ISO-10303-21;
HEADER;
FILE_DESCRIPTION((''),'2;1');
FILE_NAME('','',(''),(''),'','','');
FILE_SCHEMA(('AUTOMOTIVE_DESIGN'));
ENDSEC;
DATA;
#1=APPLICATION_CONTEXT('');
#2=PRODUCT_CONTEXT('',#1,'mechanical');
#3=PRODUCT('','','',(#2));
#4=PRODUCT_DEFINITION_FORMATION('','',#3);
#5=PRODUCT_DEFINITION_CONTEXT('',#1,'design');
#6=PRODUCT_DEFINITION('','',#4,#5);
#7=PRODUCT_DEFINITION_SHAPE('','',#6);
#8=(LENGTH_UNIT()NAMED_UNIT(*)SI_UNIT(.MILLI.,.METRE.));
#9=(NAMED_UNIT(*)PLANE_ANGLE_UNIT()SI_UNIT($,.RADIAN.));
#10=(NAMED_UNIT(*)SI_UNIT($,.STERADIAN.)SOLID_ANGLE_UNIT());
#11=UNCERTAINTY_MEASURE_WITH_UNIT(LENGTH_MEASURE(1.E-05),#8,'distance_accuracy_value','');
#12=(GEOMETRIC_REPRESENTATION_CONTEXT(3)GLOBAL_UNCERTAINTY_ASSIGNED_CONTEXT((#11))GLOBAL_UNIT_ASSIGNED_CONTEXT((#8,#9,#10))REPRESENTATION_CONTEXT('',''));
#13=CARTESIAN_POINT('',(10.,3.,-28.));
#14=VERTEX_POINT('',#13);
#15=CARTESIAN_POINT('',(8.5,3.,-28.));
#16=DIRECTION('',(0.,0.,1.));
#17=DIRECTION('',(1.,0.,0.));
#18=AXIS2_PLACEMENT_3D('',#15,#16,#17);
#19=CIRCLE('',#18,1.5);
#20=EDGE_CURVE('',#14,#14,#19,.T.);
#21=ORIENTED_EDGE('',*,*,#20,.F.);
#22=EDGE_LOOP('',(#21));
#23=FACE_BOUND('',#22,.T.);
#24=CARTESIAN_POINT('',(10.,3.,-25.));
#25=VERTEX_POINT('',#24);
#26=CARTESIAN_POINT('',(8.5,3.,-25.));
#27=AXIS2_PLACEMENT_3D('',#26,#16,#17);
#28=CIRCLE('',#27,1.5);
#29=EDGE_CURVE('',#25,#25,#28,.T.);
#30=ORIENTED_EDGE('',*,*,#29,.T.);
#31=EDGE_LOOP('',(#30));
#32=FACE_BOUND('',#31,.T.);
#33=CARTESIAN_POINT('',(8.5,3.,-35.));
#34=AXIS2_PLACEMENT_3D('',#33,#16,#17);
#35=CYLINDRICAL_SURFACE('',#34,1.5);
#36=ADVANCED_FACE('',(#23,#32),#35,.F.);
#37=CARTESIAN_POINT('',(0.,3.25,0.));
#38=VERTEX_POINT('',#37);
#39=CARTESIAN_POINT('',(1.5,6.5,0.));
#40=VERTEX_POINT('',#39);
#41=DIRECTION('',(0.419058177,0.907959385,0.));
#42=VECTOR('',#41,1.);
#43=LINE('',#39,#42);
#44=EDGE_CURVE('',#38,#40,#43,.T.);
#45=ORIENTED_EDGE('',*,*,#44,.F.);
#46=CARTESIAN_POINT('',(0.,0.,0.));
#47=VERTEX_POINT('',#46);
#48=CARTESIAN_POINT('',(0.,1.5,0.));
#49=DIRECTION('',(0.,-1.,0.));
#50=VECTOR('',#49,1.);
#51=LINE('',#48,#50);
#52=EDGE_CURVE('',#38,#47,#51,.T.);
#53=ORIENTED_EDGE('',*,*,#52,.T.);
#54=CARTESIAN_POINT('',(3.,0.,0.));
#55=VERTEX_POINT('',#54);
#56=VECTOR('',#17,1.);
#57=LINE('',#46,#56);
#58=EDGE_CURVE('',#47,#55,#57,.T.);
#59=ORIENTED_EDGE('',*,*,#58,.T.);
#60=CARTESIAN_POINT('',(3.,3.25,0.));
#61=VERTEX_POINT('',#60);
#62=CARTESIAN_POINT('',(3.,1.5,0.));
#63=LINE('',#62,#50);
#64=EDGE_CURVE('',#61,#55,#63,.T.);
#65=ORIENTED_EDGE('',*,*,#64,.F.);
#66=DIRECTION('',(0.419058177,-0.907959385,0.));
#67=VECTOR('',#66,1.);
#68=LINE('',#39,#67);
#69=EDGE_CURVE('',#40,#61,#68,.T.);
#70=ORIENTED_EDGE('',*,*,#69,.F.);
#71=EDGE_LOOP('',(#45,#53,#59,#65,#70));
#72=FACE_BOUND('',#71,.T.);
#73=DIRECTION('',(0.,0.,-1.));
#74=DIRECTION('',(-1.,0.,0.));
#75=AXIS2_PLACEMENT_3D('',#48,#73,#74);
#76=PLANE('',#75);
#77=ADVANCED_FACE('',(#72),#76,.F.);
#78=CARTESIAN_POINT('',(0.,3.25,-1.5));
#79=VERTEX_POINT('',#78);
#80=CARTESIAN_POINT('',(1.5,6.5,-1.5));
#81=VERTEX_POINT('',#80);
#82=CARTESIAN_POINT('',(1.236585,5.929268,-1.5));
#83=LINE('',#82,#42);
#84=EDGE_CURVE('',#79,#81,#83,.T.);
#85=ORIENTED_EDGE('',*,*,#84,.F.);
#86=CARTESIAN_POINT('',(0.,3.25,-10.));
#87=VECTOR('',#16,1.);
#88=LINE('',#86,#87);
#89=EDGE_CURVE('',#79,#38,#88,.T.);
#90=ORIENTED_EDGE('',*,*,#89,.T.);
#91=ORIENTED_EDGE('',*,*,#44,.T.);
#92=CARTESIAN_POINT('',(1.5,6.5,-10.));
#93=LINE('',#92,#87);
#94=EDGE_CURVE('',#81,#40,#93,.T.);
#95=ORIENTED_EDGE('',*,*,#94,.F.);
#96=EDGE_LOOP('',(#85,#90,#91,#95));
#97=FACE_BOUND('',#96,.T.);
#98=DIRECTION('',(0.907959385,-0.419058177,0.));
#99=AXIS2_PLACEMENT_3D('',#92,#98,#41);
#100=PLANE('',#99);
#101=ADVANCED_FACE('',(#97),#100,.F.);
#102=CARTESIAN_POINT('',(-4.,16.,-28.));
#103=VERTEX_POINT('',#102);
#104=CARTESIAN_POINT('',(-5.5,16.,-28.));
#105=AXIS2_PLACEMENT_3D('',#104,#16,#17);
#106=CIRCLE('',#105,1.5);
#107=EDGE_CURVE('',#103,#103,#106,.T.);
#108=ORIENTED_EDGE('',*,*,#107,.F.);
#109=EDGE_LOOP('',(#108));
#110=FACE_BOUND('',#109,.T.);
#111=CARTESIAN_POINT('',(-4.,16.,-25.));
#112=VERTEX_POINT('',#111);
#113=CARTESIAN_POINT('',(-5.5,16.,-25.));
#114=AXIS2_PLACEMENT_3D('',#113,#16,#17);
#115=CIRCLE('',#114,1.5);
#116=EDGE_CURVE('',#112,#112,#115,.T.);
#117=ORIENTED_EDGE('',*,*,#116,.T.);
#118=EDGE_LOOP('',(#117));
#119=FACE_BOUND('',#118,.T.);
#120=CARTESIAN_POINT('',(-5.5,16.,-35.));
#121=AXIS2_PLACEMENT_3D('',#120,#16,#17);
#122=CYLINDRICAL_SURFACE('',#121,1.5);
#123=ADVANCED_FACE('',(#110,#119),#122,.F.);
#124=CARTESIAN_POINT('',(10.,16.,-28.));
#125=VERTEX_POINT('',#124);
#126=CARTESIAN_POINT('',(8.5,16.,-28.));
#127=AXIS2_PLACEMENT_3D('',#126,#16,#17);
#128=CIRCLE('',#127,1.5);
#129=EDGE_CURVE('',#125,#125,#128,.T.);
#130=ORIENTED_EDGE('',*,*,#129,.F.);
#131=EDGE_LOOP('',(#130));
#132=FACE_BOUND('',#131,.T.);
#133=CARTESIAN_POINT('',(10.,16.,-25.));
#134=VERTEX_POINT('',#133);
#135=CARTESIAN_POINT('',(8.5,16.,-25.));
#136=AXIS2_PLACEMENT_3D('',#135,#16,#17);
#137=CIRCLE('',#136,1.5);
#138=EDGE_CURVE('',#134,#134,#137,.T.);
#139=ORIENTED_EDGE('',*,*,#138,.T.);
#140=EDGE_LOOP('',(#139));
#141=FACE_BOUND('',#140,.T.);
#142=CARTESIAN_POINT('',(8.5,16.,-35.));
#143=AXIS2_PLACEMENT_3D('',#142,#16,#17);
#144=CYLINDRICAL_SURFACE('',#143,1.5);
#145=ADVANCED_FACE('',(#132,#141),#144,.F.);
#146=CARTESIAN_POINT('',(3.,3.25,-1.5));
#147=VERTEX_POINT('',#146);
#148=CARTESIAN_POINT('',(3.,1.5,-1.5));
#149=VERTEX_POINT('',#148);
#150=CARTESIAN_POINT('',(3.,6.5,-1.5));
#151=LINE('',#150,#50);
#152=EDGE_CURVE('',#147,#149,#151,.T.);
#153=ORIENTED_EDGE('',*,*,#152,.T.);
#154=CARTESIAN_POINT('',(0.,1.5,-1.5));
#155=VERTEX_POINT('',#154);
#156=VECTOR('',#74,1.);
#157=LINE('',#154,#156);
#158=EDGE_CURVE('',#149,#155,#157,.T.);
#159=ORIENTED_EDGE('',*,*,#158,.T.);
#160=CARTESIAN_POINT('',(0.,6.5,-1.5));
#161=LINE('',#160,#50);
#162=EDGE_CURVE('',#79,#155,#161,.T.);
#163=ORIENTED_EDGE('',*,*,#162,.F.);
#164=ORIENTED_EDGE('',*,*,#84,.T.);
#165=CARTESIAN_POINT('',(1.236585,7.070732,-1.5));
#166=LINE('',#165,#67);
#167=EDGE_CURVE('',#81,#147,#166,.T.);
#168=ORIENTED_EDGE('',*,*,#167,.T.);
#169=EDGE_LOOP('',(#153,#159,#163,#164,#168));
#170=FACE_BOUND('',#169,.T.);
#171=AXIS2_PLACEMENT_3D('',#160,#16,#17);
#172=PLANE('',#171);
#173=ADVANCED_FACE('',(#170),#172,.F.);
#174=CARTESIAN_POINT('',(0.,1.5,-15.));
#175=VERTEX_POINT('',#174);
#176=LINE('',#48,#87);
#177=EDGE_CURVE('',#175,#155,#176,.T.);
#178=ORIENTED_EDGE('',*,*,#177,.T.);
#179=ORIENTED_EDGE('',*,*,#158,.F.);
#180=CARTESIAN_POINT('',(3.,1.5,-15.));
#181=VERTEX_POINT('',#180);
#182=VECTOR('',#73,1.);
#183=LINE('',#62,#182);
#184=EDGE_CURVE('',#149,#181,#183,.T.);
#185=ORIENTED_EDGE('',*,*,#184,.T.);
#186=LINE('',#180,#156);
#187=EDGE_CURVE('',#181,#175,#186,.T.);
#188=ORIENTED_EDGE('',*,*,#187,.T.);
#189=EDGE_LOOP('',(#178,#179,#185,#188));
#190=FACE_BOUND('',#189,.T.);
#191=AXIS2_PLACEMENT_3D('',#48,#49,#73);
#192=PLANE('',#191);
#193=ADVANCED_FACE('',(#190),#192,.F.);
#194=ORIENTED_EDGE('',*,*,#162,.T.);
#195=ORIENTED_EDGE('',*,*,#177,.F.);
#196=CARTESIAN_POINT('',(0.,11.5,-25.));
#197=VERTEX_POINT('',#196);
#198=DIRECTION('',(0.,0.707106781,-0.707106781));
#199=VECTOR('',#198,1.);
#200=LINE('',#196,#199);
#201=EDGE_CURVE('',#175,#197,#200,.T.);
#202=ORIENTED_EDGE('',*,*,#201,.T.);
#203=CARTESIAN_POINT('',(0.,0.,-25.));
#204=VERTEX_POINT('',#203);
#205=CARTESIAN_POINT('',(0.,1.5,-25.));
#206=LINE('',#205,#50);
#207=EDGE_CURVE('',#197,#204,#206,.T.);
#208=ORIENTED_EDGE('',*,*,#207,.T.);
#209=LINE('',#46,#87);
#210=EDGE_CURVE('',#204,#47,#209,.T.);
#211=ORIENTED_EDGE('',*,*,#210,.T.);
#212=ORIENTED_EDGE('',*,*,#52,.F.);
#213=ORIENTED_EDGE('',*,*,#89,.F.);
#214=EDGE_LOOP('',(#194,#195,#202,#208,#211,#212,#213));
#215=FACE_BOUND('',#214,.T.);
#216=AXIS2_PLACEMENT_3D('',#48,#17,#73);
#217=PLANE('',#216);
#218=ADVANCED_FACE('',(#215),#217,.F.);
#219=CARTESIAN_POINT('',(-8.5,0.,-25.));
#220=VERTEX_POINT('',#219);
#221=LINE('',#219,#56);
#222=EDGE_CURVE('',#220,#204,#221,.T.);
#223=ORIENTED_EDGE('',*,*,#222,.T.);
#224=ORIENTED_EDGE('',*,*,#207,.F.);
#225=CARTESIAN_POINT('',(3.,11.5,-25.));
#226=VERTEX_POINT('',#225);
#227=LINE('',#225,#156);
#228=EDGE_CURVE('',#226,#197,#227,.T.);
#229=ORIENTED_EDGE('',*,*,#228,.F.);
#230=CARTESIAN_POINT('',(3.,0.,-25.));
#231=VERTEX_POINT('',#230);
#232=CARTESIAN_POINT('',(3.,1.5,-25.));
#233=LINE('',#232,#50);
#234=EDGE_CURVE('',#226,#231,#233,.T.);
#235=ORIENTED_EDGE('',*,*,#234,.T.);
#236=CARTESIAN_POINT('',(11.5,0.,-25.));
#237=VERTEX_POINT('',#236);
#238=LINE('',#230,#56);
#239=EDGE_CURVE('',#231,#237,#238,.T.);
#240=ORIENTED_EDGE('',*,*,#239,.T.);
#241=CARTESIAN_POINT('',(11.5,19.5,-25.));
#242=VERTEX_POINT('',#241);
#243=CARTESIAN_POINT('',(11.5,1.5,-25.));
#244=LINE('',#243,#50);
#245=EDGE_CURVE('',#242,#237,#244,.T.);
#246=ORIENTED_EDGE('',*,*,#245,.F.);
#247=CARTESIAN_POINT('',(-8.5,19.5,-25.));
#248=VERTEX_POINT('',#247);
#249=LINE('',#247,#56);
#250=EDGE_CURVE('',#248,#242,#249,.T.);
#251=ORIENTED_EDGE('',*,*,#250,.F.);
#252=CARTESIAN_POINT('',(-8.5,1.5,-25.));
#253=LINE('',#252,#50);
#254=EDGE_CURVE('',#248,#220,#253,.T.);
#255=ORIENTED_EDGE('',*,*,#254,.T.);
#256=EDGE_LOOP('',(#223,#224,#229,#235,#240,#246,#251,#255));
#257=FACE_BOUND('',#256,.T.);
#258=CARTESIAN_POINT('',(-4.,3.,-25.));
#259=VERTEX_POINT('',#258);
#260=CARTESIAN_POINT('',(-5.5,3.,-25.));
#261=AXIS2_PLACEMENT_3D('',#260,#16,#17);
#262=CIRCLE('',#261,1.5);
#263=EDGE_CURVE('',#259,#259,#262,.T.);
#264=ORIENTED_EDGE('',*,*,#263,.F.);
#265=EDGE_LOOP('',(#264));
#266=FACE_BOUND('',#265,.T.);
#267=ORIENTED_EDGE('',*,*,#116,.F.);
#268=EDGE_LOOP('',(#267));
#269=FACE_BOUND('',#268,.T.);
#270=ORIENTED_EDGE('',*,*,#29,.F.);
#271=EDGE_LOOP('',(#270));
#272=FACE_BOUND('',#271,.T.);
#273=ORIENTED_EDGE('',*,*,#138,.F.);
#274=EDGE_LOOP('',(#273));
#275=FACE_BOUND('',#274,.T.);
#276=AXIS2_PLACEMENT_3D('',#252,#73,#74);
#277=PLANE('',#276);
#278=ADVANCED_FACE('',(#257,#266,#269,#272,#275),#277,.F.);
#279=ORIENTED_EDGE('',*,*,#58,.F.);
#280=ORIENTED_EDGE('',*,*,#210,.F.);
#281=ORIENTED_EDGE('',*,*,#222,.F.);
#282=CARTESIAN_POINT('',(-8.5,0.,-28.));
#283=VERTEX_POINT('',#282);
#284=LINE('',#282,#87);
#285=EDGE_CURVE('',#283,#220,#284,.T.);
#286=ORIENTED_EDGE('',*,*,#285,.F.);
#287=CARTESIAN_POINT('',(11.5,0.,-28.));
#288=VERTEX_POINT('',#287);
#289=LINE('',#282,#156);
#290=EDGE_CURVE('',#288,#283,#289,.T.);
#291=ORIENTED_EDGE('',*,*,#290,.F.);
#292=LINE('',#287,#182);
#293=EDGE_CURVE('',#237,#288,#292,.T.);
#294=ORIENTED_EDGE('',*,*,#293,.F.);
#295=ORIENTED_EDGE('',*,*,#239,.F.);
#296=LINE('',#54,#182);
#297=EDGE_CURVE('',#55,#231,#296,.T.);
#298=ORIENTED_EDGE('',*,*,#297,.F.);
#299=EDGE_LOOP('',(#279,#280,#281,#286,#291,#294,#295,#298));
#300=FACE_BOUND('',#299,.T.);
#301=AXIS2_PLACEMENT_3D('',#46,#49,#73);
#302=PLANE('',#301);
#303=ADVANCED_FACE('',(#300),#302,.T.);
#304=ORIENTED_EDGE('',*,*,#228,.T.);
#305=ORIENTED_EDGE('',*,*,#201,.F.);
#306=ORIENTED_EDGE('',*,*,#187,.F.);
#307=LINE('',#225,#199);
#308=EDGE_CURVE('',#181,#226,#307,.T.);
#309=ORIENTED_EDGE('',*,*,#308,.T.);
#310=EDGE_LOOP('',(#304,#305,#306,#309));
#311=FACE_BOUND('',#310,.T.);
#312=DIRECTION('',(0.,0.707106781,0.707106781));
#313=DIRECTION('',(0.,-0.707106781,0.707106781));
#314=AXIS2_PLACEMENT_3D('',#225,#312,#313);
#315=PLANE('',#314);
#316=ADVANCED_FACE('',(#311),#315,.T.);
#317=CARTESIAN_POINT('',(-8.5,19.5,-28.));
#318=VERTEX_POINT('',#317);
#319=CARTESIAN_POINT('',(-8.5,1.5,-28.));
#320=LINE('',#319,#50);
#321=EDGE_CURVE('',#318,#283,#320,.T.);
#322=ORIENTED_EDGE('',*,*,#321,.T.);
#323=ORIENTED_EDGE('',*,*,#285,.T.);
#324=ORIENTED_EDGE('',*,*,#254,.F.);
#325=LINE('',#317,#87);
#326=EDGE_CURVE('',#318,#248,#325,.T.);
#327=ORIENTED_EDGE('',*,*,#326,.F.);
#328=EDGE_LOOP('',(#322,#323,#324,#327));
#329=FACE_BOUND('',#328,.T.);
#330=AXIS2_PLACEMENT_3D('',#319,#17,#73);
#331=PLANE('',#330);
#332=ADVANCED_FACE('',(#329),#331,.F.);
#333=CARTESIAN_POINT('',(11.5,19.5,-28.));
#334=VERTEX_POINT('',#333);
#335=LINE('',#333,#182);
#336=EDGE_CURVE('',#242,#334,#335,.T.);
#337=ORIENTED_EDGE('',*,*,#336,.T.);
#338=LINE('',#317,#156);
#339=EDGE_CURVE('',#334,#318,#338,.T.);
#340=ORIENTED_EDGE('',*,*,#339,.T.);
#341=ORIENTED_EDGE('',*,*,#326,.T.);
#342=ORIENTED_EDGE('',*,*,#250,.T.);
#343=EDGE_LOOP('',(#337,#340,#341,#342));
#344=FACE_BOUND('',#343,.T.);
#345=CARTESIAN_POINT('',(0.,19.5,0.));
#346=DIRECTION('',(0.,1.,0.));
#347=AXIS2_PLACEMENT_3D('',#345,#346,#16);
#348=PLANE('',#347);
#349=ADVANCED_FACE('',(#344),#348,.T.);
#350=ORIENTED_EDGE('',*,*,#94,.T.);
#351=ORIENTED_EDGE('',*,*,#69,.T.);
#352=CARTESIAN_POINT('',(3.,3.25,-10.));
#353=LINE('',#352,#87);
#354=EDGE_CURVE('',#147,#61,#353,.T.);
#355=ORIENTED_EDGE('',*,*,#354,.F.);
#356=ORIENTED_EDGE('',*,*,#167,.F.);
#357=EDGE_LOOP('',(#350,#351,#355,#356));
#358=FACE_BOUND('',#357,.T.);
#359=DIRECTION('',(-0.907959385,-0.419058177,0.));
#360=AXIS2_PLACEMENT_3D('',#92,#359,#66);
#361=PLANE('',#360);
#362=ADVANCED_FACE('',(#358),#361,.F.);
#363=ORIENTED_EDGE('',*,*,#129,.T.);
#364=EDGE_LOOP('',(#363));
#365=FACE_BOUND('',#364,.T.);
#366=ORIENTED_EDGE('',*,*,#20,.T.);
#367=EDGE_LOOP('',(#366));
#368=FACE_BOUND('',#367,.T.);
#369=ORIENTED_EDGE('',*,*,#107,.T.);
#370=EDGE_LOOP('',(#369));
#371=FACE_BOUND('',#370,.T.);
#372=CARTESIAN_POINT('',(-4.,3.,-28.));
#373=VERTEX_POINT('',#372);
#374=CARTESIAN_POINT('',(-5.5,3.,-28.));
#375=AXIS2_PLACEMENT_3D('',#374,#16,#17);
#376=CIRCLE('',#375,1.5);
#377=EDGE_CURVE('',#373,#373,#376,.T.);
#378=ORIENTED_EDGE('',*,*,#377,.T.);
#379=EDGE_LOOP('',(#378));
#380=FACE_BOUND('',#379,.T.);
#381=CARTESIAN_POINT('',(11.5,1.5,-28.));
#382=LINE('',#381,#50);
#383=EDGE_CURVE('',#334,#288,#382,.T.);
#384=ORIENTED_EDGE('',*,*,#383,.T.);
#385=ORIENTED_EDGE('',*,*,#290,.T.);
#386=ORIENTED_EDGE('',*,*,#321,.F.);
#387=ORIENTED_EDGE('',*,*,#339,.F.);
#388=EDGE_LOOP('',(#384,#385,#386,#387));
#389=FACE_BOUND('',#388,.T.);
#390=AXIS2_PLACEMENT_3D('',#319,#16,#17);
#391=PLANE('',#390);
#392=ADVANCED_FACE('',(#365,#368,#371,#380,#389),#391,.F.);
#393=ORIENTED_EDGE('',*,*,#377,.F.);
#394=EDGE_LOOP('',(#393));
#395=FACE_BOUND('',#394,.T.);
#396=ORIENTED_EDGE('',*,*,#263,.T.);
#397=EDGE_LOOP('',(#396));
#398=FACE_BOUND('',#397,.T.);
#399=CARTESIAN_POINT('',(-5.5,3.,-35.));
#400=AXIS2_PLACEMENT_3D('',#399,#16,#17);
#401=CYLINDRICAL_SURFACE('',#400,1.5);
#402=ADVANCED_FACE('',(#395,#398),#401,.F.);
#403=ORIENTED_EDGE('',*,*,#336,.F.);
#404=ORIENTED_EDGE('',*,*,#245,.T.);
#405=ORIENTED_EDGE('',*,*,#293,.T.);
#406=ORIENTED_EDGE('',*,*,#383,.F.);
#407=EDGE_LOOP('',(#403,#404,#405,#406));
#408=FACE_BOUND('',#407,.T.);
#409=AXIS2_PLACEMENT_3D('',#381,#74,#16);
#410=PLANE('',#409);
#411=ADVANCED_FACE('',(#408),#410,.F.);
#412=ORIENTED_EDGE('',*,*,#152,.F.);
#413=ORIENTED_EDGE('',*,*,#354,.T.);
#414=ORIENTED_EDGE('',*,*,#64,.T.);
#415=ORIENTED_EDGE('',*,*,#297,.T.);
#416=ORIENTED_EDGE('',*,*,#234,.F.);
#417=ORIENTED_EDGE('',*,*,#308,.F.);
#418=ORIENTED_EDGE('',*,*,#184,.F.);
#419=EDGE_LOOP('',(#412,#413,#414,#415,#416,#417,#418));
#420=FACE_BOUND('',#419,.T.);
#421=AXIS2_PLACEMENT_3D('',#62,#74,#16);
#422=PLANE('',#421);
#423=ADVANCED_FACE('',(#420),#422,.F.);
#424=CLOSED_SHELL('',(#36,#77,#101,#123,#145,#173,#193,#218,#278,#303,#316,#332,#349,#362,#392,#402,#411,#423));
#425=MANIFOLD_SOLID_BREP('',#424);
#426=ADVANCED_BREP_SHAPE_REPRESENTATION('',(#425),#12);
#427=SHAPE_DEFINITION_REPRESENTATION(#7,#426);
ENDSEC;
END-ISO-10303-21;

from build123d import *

# Parameters (mm, degrees)
BOSS_EXTRUDE1_DEPTH = 1.5
SKETCH2_W           = 3
SKETCH2_H           = 1.5
BOSS_EXTRUDE2_DEPTH = 5
SKETCH3_W           = 20
SKETCH3_H           = 3
BOSS_EXTRUDE3_DEPTH = 18
CUT_EXTRUDE1_DEPTH  = 10
SKETCH5_R           = 1.5
CUT_EXTRUDE4_DEPTH  = 10
BOSS_EXTRUDE4_DEPTH = 3


with BuildPart() as part:
    # Sketch1 → Boss-Extrude1 (new body)
    with BuildSketch(Plane(origin=(0, 0, 0), x_dir=(1, 0, 0), z_dir=(0, 1, 0))):
        Polygon((3, 25), (11.5, 25), (11.5, 28), (-8.5, 28), (-8.5, 25), (0, 25), (0, 0), (3, 0), align=None)
    extrude(amount=BOSS_EXTRUDE1_DEPTH)

    # Sketch2 → Boss-Extrude2 (add)
    with BuildSketch(Plane(origin=(0, 1.5, 0), x_dir=(1, 0, 0), z_dir=(0, 1, 0))):
        with Locations((1.5, 0.75)):
            Rectangle(SKETCH2_W, SKETCH2_H)
    extrude(amount=BOSS_EXTRUDE2_DEPTH)

    # Sketch3 → Boss-Extrude3 (add)
    with BuildSketch(Plane(origin=(0, 1.5, 0), x_dir=(1, 0, 0), z_dir=(0, 1, 0))):
        with Locations((1.5, 26.5)):
            Rectangle(SKETCH3_W, SKETCH3_H)
    extrude(amount=BOSS_EXTRUDE3_DEPTH)

    # Sketch4 → Cut-Extrude1 (cut)
    with BuildSketch(Plane.XY):
        Polygon((1.5, 6.5), (0, 3.25), (-1.660876249, 3.25), (-2.026223081, 8.127487576), (5.302958893, 8.676477884), (5.709427688, 3.25), (3, 3.25), align=None)
    extrude(amount=-CUT_EXTRUDE1_DEPTH, mode=Mode.SUBTRACT)

    # Sketch5 → Cut-Extrude4 (cut)
    with BuildSketch(Plane.XY.offset(-25)):
        with Locations((-5.5, 3)):
            Circle(SKETCH5_R)
        with Locations((8.5, 3)):
            Circle(SKETCH5_R)
        with Locations((8.5, 16)):
            Circle(SKETCH5_R)
        with Locations((-5.5, 16)):
            Circle(SKETCH5_R)
    extrude(amount=-CUT_EXTRUDE4_DEPTH, mode=Mode.SUBTRACT)

    # Sketch6 → Boss-Extrude4 (add)
    with BuildSketch(Plane.ZY):
        Polygon((-25, 1.5), (-25, 11.5), (-15, 1.5), align=None)
    extrude(amount=-BOSS_EXTRUDE4_DEPTH)


solid = part.part
